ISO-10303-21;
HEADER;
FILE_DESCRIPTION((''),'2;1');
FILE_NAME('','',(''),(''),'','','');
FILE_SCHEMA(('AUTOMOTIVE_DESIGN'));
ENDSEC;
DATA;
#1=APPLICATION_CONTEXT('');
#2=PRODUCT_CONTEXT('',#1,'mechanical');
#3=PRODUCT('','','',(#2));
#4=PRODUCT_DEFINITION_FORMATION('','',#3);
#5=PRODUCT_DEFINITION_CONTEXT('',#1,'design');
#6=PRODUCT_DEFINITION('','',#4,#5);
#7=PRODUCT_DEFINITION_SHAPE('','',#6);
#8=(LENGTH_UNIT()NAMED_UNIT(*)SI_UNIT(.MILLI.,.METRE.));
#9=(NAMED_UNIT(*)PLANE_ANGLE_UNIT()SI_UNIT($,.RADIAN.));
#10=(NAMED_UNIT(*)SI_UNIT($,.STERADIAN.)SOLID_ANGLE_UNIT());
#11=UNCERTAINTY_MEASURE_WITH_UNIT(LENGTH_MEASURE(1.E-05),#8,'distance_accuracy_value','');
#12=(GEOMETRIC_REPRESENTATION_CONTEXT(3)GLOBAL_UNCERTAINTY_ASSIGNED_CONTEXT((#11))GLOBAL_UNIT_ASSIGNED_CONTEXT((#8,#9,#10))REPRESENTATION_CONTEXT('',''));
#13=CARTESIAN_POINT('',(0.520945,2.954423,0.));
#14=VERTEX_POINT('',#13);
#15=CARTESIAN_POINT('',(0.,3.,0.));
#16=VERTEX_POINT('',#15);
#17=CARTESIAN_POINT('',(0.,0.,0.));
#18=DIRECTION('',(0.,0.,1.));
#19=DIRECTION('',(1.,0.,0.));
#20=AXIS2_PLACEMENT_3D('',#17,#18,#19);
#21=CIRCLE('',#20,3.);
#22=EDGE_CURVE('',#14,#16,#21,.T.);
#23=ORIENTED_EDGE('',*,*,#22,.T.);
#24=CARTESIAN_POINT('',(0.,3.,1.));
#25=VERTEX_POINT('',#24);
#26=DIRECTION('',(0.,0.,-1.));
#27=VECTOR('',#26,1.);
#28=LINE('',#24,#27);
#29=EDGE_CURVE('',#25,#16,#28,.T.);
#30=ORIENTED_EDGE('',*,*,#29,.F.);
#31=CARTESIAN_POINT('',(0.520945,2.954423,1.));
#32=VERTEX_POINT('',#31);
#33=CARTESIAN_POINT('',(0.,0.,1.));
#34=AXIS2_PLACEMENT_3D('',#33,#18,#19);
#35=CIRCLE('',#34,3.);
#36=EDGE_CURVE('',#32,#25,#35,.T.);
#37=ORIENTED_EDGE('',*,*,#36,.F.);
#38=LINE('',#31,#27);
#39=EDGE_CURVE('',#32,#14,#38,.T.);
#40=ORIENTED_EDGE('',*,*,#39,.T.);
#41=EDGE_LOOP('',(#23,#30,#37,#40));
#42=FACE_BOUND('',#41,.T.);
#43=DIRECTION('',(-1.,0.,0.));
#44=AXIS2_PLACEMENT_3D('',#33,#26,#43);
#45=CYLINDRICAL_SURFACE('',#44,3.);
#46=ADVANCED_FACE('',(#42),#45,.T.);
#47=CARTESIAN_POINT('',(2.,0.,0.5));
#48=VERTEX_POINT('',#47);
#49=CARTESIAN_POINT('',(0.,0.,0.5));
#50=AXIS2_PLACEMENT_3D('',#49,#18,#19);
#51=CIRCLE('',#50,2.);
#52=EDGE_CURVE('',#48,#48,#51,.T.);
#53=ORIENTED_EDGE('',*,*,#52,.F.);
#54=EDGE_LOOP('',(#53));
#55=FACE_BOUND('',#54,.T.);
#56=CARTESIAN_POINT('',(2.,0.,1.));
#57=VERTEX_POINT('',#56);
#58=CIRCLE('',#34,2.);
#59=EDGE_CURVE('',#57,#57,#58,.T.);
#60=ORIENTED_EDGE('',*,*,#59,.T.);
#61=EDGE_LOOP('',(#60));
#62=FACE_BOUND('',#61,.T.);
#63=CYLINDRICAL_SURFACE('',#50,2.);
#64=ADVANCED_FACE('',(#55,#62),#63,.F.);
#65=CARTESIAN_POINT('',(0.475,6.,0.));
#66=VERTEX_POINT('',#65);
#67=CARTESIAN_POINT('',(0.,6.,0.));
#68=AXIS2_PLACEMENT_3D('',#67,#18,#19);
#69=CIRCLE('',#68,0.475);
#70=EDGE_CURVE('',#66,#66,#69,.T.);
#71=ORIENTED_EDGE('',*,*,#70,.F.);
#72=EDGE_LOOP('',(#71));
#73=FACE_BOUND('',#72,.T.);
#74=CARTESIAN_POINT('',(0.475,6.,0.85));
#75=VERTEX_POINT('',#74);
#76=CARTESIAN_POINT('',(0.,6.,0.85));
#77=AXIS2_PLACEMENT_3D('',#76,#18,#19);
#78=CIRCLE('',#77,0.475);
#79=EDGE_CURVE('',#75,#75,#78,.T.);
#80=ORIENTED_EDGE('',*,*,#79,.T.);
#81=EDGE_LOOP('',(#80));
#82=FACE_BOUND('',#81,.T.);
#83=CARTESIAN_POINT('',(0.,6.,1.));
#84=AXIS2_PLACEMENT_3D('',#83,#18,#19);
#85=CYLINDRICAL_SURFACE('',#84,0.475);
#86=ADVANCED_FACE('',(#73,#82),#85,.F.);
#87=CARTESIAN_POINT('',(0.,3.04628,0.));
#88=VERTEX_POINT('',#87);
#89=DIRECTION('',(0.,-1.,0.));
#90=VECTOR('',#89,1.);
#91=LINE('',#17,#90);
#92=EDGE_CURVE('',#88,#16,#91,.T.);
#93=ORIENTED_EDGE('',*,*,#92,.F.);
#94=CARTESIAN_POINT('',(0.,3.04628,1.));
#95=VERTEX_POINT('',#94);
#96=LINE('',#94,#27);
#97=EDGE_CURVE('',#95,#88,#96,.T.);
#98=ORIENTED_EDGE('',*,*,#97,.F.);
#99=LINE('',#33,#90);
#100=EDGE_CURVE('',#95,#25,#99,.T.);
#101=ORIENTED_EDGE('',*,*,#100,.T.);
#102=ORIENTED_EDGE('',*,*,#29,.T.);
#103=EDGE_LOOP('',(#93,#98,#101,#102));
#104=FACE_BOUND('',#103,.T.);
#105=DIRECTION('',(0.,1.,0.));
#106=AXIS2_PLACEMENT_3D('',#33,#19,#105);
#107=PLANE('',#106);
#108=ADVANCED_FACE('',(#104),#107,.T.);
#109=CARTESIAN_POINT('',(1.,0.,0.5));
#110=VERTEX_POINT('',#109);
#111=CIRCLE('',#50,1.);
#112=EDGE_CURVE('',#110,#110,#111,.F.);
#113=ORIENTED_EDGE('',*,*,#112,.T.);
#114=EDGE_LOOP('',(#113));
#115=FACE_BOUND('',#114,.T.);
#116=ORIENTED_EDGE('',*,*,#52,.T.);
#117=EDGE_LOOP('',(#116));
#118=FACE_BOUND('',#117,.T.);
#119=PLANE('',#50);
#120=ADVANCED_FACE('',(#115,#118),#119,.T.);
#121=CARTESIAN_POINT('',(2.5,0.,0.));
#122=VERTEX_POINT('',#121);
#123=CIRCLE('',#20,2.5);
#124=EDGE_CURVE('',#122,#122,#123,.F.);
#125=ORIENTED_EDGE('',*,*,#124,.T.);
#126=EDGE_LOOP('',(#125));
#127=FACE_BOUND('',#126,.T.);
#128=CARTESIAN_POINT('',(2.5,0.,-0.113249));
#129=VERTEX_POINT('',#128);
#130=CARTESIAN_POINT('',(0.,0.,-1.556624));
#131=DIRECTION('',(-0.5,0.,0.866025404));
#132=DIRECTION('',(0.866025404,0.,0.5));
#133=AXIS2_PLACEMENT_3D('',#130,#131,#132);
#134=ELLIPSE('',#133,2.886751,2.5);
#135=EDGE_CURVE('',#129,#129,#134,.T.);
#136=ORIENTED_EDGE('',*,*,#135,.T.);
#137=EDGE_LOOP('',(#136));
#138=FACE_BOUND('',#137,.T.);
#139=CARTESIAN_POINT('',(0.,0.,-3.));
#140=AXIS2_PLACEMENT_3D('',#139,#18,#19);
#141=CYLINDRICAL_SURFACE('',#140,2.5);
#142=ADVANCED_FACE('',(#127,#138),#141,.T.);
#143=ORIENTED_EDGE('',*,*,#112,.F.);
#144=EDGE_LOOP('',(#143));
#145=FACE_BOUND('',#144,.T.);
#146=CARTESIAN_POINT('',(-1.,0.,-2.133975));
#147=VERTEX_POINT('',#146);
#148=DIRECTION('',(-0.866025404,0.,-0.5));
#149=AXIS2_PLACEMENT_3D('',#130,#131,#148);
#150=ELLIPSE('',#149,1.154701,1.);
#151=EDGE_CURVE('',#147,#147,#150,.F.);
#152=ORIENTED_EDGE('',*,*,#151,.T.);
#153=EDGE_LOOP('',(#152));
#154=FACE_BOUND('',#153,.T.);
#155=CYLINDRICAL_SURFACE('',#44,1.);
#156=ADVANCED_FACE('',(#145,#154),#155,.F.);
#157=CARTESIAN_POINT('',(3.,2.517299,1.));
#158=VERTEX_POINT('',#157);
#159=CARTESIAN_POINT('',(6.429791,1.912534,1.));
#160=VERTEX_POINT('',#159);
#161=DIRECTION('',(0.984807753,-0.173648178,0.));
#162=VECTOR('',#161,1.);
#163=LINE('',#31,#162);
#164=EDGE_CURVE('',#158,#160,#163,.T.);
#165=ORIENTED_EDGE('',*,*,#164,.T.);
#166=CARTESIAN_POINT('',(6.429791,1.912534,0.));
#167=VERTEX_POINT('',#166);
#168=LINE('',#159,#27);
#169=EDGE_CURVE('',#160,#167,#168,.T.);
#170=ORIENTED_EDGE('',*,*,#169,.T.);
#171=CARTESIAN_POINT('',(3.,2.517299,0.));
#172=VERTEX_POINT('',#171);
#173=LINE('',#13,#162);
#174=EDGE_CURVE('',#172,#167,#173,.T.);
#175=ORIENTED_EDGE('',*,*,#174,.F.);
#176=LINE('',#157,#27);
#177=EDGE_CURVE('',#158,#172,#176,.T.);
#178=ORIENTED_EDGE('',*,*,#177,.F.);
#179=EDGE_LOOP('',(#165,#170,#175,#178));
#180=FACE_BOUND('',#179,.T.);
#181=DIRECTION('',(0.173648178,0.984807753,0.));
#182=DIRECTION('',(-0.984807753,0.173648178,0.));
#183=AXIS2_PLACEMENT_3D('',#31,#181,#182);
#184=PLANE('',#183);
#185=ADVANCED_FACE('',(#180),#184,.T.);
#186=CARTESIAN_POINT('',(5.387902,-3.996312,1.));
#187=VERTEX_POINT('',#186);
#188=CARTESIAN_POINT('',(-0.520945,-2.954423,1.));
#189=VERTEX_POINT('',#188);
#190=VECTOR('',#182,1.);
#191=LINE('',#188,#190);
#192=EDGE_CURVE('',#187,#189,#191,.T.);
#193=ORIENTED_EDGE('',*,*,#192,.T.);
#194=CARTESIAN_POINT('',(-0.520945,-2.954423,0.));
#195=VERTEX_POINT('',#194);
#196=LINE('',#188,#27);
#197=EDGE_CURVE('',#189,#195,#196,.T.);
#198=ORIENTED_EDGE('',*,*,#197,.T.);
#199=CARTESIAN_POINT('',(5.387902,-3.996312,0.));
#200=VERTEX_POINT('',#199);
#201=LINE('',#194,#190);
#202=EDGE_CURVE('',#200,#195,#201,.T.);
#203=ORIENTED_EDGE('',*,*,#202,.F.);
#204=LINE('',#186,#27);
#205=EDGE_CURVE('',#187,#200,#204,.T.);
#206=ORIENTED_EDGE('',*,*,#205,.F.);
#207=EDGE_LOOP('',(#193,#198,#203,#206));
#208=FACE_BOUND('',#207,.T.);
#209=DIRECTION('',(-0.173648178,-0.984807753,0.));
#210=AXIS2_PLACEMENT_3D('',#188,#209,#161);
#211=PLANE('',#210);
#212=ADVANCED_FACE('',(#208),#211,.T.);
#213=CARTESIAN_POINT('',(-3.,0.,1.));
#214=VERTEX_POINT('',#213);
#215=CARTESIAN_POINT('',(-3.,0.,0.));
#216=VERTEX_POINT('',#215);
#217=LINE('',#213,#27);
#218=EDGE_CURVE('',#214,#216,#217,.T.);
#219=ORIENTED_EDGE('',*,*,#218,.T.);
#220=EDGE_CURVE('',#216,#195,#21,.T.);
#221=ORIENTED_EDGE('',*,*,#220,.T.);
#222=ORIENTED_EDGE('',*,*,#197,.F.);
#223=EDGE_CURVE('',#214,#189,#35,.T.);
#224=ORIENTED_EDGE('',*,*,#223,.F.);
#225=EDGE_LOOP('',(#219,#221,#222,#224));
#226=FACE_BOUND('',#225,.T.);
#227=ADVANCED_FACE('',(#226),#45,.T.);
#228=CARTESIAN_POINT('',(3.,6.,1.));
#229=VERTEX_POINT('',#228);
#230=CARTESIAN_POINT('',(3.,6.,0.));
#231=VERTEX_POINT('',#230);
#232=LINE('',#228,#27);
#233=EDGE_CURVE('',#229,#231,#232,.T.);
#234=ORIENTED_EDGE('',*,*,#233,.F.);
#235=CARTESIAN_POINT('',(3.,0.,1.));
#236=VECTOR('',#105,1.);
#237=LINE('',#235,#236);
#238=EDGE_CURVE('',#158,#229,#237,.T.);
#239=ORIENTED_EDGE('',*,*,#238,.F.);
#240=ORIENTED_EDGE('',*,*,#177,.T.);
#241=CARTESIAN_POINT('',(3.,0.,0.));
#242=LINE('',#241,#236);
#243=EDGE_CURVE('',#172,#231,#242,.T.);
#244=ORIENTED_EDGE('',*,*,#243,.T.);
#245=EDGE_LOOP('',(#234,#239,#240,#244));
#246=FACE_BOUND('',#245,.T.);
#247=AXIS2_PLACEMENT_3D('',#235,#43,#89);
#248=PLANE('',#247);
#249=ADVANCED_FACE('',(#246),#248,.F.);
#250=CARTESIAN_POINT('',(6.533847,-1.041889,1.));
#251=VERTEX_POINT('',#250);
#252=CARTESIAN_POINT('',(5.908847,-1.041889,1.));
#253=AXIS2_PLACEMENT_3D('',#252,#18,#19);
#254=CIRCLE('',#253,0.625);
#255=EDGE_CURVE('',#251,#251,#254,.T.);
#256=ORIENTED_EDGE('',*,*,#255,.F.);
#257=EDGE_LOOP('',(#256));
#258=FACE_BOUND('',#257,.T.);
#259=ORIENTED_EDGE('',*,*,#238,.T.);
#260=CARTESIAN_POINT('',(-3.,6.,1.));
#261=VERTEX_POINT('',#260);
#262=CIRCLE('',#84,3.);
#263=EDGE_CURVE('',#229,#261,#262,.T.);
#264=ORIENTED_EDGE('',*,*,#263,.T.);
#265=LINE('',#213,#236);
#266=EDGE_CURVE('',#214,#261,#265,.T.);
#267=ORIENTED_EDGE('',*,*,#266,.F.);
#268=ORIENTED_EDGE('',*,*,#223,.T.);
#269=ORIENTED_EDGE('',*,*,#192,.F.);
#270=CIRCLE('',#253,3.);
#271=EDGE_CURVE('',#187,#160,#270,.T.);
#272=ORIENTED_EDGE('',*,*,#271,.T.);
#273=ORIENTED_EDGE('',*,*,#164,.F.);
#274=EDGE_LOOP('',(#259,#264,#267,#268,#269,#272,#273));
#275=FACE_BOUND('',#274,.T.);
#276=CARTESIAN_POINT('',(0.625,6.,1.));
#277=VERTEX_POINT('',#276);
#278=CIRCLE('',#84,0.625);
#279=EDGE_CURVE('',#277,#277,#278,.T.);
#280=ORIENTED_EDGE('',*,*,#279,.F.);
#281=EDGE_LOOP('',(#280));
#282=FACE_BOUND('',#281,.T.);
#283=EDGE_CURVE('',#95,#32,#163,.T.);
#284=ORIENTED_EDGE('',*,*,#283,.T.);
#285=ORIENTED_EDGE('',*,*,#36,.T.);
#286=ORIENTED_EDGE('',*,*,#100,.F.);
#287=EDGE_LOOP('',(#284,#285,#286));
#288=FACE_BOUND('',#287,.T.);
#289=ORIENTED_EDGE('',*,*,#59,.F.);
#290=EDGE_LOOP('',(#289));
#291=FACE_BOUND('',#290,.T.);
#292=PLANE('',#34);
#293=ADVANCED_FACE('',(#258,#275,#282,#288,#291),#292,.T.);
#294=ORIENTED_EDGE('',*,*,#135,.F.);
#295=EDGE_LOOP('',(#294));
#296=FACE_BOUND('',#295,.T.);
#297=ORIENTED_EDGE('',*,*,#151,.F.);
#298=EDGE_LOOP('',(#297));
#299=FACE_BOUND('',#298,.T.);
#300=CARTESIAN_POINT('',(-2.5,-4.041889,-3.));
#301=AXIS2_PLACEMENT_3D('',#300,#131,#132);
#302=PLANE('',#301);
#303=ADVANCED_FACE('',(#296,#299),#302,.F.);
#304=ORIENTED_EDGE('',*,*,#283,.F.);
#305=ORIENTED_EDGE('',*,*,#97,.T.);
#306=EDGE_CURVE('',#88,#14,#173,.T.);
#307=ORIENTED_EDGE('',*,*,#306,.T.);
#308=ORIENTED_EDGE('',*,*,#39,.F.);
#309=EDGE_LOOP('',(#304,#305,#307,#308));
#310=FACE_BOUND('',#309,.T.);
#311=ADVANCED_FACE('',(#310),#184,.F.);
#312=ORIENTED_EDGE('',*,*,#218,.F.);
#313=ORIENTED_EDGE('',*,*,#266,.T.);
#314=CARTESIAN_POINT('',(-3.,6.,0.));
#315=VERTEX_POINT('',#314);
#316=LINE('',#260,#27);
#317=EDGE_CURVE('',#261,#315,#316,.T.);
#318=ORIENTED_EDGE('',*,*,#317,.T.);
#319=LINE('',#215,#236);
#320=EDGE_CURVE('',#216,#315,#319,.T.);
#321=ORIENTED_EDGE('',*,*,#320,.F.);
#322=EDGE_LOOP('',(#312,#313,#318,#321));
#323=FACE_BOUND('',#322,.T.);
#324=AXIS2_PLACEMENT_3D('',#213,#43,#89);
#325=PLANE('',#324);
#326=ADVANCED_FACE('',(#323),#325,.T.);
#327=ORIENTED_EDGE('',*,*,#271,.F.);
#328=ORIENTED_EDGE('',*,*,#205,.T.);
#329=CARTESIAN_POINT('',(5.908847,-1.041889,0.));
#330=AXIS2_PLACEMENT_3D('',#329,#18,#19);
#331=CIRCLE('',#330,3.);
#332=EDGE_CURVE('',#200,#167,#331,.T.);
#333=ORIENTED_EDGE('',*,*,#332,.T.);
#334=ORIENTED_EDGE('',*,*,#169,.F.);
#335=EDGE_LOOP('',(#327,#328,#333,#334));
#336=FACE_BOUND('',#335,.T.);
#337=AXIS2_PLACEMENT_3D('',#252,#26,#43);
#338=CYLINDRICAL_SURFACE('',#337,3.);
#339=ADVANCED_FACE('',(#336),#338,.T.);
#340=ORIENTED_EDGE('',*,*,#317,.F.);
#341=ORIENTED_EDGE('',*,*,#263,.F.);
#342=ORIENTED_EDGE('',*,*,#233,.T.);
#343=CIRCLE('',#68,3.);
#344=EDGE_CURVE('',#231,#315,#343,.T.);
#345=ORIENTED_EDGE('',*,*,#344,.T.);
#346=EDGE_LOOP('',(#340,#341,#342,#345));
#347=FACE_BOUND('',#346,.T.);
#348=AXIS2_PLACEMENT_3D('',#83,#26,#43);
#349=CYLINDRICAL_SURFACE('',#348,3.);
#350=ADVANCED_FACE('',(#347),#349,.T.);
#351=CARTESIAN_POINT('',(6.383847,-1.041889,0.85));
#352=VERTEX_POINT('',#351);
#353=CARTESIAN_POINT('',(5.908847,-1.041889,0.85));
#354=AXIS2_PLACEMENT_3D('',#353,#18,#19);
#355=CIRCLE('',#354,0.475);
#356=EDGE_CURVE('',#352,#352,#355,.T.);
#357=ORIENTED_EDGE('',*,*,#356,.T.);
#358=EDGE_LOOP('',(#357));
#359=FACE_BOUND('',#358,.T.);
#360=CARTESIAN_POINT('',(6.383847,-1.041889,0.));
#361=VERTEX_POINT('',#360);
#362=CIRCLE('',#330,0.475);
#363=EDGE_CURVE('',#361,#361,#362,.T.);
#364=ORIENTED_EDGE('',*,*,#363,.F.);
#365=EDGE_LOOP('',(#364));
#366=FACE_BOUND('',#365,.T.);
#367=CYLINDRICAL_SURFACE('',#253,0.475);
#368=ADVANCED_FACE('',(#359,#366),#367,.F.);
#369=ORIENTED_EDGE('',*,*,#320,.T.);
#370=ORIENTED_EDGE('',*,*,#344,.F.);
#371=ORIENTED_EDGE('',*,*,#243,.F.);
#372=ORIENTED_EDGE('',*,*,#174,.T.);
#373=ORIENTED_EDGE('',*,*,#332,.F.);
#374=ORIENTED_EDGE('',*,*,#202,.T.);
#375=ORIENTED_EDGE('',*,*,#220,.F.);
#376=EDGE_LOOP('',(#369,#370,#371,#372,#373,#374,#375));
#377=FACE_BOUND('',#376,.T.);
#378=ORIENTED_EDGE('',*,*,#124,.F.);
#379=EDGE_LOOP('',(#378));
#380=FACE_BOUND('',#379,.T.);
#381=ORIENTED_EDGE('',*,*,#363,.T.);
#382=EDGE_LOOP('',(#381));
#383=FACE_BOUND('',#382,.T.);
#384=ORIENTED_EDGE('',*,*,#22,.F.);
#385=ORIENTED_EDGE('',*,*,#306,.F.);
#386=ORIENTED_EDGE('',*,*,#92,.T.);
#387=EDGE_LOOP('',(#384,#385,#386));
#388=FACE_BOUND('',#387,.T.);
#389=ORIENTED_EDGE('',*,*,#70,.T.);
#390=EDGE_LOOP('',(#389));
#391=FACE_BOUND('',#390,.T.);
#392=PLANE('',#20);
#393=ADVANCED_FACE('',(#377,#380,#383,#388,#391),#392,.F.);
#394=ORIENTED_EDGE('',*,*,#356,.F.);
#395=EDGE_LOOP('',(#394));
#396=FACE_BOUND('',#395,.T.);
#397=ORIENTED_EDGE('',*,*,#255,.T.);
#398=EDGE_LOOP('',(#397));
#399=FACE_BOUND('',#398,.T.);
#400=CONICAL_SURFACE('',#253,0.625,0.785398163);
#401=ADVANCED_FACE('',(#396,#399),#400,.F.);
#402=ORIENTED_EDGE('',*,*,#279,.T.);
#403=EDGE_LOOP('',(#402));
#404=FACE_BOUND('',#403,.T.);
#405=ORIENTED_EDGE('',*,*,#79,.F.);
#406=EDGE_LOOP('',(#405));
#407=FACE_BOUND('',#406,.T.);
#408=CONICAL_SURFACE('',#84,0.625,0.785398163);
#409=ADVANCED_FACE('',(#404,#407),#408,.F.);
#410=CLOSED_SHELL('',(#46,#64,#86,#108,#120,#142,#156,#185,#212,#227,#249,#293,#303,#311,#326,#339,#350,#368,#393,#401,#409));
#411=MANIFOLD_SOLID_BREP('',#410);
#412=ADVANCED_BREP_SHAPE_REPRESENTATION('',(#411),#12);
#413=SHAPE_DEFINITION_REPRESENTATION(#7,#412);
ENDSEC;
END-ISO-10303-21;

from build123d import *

# Parameters (mm, degrees)
EXTRUDE_1_DEPTH          = 1
SKETCH_2_R               = 2.5
EXTRUDE_2_DEPTH          = 3
SKETCH_3_R               = 1
CUT_EXTRUDE_1_DEPTH      = 14.280344359
SKETCH_4_R               = 2
CUT_EXTRUDE_2_DEPTH      = 0.5
CUT_EXTRUDE_3_DEPTH      = 14.014128718
CUT_EXTRUDE_3_DEPTH_BACK = 14.014128718
M1_2X0_25_1_D            = 0.95
M1_2X0_25_1_CSINK_D      = 1.25
M1_2X0_25_1_CSINK_ANGLE  = 90


with BuildPart() as part:
    # 草图1 → 凸台-拉伸1 (new body)
    with BuildSketch(Plane.XY):
        with BuildLine():
            ThreePointArc((5.387901985, -3.996312325), (8.863269777, -1.562833599), (6.429791051, 1.912534193))
            Line((6.429791051, 1.912534193), (3, 2.517298894))
            Line((3, 2.517298894), (3, 6))
            ThreePointArc((3, 6), (0, 9), (-3, 6))
            Line((-3, 6), (-3, 0))
            ThreePointArc((-3, 0), (-2.298133329, -1.928362829), (-0.520944533, -2.954423259))
            Line((-0.520944533, -2.954423259), (5.387901985, -3.996312325))
        make_face()
        with BuildLine():
            ThreePointArc((0.520944516, 2.954423262), (0.26146722, 2.988584095), (1e-09, 3))
            Line((0, 3), (0, 3.046279836))
            Line((0, 3.046279836), (0.520944516, 2.954423262))
        make_face(mode=Mode.SUBTRACT)
    extrude(amount=EXTRUDE_1_DEPTH)

    # 草图2 → 凸台-拉伸2 (add)
    with BuildSketch(Plane(origin=(0, 0, 0), x_dir=(-1, 0, 0), z_dir=(0, 0, -1))):
        with Locations(Location((0, 0, 0), (0, 0, 180))):
            Circle(SKETCH_2_R)
    extrude(amount=EXTRUDE_2_DEPTH)

    # 草图3 → 切除-拉伸1 (cut, through all)
    with BuildSketch(Plane(origin=(0, 0, -3), x_dir=(-1, 0, 0), z_dir=(0, 0, -1))):
        Circle(SKETCH_3_R)
    extrude(amount=-CUT_EXTRUDE_1_DEPTH, mode=Mode.SUBTRACT)

    # 草图4 → 切除-拉伸2 (cut)
    with BuildSketch(Plane.XY.offset(1)):
        Circle(SKETCH_4_R)
    extrude(amount=-CUT_EXTRUDE_2_DEPTH, mode=Mode.SUBTRACT)

    # 草图5 → 切除-拉伸3 (cut, two sides: drawn at the far end of the back side and taken through both)
    with BuildSketch(Plane(origin=(0, 0, 0), x_dir=(1, 0, 0), z_dir=(0, 1, 0)).offset(-CUT_EXTRUDE_3_DEPTH_BACK)):
        Polygon((-2.5, 3), (2.5, 0.113248654), (2.5, 3), align=None)
    extrude(amount=CUT_EXTRUDE_3_DEPTH + CUT_EXTRUDE_3_DEPTH_BACK, mode=Mode.SUBTRACT)

    # M1.2x0.25 螺纹孔1 (through all)
    with Locations(Plane.XY.offset(1)):
        with Locations((0, 6), (5.908846518, -1.041889066)):
            CounterSinkHole(M1_2X0_25_1_D / 2, M1_2X0_25_1_CSINK_D / 2, counter_sink_angle=M1_2X0_25_1_CSINK_ANGLE)


solid = part.part
